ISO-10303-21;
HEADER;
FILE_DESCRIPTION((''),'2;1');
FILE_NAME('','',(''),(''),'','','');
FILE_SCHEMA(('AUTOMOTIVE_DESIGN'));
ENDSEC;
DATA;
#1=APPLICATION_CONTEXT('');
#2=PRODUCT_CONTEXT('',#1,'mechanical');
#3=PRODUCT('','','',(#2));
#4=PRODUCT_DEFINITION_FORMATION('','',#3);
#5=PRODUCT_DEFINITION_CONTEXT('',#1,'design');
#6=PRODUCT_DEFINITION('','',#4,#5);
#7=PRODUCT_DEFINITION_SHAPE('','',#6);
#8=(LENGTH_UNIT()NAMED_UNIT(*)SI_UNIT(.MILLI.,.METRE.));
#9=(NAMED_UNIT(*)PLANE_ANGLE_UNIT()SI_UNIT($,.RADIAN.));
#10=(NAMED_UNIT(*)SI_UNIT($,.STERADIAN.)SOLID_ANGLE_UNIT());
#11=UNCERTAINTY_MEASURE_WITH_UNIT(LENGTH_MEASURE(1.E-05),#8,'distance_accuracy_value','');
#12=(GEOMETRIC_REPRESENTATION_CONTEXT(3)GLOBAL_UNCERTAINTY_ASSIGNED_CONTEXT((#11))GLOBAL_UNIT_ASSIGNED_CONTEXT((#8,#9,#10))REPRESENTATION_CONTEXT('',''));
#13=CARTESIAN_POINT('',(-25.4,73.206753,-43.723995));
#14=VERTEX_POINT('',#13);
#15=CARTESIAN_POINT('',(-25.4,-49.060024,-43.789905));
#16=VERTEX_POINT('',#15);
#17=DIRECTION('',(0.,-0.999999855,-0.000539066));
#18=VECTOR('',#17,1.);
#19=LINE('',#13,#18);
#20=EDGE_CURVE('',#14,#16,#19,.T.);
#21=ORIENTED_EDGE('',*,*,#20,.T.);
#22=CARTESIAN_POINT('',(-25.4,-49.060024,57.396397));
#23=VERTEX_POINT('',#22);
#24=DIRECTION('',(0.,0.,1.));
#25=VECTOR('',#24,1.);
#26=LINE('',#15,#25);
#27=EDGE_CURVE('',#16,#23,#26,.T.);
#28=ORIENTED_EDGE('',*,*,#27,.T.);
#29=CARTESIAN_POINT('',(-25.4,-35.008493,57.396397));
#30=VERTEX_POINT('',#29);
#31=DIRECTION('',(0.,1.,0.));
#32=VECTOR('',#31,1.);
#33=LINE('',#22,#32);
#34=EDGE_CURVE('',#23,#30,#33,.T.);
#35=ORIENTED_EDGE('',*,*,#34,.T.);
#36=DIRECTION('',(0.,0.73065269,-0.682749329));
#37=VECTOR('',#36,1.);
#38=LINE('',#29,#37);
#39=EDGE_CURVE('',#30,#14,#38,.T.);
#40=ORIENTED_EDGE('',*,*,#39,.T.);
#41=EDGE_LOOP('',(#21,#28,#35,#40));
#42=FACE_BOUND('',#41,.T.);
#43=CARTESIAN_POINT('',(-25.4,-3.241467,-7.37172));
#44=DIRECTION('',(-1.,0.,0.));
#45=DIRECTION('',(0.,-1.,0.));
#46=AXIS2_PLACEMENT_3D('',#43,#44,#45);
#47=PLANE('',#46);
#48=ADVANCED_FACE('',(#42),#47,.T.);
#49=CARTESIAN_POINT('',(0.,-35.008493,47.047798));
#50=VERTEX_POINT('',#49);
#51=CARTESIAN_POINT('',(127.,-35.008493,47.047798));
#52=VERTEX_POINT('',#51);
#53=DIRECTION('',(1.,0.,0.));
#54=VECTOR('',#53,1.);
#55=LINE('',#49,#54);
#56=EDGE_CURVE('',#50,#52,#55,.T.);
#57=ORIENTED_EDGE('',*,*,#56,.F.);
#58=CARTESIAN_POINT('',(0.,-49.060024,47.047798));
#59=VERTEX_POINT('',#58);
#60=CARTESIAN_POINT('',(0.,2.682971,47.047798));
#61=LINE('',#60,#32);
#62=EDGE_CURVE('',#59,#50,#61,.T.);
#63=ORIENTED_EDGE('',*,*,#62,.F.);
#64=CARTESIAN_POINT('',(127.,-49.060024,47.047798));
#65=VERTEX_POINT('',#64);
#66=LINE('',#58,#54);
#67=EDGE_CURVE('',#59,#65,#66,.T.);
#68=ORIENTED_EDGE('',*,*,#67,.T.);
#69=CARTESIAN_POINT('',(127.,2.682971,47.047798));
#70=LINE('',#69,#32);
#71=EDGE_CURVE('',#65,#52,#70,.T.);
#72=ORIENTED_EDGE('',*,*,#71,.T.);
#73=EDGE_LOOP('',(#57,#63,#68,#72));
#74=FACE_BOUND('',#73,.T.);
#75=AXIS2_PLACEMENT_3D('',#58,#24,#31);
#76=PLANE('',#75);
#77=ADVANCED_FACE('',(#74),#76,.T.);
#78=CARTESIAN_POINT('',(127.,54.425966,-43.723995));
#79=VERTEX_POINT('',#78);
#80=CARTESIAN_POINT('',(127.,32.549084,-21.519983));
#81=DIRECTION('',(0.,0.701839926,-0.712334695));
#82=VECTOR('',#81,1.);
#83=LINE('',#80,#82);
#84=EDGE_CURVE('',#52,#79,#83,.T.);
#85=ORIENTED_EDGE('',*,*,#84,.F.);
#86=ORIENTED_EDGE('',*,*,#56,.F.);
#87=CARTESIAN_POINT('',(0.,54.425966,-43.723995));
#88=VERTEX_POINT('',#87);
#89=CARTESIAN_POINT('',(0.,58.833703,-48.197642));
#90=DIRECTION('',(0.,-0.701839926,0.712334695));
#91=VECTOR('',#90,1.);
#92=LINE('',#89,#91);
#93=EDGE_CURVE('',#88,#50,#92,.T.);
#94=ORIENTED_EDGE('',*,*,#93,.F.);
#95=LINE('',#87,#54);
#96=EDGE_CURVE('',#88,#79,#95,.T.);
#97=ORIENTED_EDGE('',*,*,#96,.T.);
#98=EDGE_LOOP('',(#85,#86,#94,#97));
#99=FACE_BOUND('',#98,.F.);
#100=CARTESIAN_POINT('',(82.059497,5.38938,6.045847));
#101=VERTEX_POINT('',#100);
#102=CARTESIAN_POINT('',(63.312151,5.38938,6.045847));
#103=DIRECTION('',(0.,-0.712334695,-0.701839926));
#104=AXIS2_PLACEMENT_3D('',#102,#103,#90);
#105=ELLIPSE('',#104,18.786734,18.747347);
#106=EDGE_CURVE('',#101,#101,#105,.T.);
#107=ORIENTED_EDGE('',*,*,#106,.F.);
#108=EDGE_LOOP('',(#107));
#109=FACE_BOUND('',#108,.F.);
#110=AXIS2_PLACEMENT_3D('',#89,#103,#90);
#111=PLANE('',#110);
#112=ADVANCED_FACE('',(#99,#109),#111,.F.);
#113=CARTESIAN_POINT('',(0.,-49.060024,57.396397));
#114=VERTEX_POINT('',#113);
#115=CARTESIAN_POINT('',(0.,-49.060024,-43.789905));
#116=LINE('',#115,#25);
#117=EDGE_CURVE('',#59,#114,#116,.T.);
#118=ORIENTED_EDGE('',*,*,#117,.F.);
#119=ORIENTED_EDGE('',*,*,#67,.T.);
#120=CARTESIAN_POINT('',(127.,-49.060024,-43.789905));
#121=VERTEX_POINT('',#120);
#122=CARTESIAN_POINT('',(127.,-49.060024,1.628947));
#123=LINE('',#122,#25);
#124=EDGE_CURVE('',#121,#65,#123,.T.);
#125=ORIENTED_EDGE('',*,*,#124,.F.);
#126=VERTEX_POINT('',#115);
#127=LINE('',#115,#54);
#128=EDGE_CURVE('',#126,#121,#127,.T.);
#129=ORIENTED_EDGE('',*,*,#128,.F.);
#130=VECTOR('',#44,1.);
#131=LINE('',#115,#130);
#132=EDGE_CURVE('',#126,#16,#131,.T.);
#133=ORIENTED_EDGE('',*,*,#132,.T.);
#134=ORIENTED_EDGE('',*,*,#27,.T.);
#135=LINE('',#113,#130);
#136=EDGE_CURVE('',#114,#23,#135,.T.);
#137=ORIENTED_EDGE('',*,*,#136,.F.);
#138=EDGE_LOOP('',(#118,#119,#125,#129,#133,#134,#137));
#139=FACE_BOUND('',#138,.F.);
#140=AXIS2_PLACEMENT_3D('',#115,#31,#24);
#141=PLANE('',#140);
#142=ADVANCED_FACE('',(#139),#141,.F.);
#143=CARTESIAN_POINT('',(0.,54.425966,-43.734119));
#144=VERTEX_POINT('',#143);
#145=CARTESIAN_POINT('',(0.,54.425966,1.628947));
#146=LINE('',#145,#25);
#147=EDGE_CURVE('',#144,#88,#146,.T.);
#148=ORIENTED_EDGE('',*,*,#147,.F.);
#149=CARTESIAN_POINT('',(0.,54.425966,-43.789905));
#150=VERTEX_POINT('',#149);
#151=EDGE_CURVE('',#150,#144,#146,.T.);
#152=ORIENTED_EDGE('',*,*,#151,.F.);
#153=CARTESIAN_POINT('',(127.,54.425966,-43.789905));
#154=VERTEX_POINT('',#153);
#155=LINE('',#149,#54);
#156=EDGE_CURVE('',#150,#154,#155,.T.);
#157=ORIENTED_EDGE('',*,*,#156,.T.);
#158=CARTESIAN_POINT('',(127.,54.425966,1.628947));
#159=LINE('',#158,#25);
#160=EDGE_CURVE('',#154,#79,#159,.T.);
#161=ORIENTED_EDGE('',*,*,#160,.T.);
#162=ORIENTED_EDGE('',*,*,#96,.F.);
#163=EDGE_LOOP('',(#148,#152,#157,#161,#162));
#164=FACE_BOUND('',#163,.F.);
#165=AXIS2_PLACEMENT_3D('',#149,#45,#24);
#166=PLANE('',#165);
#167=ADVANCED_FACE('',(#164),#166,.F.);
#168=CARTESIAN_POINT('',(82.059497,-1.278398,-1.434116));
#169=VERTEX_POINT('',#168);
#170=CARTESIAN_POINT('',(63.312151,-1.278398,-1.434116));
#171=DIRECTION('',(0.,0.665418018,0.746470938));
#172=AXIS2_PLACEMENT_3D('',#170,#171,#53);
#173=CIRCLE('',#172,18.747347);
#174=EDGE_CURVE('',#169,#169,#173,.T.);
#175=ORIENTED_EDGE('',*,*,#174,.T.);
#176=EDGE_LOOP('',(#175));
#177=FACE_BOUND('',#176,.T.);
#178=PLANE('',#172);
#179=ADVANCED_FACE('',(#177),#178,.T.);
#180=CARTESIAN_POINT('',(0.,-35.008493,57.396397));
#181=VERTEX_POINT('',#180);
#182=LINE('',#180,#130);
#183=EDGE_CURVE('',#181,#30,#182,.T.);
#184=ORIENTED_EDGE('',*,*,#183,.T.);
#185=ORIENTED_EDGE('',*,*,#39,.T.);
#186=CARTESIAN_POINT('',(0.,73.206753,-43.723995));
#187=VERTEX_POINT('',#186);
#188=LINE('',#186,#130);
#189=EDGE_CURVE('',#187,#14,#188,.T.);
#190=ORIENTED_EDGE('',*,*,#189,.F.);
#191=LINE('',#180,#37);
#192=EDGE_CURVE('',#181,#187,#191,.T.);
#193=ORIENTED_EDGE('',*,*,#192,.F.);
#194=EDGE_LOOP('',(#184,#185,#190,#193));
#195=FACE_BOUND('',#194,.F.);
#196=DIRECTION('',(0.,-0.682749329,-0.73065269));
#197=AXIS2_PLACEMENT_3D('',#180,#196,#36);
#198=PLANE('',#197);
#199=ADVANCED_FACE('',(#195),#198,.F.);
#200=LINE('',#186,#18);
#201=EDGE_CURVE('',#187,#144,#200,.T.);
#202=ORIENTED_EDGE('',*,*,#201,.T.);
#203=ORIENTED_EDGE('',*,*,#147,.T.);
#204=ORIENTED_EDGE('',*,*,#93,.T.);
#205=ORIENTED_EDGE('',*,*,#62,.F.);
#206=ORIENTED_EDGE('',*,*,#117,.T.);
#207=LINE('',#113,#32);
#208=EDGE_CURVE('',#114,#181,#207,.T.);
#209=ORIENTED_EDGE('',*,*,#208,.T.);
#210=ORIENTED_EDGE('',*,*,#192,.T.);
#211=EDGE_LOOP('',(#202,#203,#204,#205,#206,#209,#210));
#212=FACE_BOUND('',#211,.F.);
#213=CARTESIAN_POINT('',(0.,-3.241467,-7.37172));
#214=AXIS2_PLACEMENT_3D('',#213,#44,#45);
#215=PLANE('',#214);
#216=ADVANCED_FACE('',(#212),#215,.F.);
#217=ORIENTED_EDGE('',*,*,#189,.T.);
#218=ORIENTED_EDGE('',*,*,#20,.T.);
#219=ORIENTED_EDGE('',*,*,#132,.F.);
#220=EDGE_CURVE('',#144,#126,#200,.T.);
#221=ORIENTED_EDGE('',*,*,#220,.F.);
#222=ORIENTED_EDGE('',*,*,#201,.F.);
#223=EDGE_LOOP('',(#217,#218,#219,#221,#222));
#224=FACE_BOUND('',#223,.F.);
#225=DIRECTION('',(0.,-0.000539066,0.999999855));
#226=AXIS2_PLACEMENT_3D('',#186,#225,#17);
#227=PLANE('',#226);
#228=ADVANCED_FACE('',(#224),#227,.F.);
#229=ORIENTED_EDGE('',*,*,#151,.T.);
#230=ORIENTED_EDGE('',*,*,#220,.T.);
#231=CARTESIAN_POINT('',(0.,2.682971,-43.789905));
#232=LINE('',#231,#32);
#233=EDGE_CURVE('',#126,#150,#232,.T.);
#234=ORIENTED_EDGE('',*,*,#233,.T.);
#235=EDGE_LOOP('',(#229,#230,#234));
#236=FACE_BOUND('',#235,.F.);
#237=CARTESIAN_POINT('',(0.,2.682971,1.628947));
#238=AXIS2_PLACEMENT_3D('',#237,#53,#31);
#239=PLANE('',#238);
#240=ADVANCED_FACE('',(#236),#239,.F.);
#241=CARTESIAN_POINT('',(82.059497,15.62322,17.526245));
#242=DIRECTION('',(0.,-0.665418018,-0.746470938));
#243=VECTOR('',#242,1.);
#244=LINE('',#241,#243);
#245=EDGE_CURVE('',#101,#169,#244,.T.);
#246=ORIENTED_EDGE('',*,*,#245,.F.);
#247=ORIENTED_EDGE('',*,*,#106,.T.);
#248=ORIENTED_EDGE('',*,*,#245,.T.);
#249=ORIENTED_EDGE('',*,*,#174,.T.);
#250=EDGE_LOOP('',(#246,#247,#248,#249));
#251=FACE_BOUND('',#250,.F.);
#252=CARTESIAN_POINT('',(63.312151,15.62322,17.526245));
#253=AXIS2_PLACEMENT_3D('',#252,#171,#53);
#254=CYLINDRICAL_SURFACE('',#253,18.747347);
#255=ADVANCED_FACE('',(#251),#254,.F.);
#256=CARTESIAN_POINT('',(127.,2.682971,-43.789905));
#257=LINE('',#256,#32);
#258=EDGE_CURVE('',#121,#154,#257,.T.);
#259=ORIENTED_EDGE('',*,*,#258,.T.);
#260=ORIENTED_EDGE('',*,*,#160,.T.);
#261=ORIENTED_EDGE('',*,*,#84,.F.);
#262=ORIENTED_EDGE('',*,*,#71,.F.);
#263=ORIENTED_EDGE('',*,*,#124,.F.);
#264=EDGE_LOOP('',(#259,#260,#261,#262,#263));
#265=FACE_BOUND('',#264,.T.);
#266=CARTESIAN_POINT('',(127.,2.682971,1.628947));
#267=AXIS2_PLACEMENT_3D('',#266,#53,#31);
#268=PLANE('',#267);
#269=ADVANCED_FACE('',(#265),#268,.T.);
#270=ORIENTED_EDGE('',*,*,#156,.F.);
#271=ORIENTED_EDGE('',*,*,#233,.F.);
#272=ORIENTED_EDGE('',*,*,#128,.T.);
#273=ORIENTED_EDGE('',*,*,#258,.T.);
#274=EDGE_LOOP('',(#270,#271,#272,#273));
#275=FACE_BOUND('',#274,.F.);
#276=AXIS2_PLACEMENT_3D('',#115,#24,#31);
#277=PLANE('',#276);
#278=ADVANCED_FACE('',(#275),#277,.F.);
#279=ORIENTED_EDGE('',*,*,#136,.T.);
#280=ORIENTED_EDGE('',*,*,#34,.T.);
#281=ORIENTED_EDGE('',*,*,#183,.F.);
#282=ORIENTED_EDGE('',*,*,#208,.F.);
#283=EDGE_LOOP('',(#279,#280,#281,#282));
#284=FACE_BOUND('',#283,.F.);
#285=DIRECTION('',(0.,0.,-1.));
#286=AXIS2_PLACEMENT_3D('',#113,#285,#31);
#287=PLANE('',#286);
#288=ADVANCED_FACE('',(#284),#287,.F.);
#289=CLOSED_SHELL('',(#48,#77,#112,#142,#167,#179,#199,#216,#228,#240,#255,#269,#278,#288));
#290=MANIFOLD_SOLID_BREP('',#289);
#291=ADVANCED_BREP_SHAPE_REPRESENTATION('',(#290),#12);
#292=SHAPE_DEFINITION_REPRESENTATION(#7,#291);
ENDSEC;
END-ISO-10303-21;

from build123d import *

# Parameters (mm, degrees)
F0_W     = 103.4859903157
F0_H     = 90.8377021551
F1_DEPTH = 127
F3_DEPTH = 127.001
F4_R     = 18.7473468239
F5_DEPTH = 25.4
F7_DEPTH = 127.001
F9_DEPTH = 25.4


with BuildPart() as f1:
    # F0 (on Right) → F1 (new body)
    with BuildSketch(Plane.YZ):
        with Locations((2.6829708368, 1.6289465129)):
            Rectangle(F0_W, F0_H)
    extrude(amount=F1_DEPTH)

    # F2 (on face) → F3 (cut, through all)
    with BuildSketch(Plane.YZ.offset(127)):
        Polygon((62.4748729169, 57.3963969946), (-45.2272109687, 71.7694461346), (64.1996413469, -25.7756765932), align=None)
    extrude(amount=-F3_DEPTH, mode=Mode.SUBTRACT)

    # F4 (on face) → F5 (cut)
    with BuildSketch(Plane(origin=(0, 15.6232196657, 17.5262453236), x_dir=(1, 0, 0), z_dir=(0, 0.6654180184, 0.7464709377))):
        with Locations((63.312150538, 0)):
            Circle(F4_R)
    extrude(amount=-F5_DEPTH, mode=Mode.SUBTRACT)

    # F6 (on face) → F7 (cut, through all)
    with BuildSketch(Plane(origin=(0, 0, 0), x_dir=(0, -1, 0), z_dir=(-1, 0, 0))):
        Polygon((-58.8337033987, -48.1976419687), (43.6940863729, 55.8632686734), (45.8021350205, 72.5360140204), (-54.4259659946, 13.5106705129), align=None)
    extrude(amount=-F7_DEPTH, mode=Mode.SUBTRACT)

    # F8 (on face) → F9 (join)
    with BuildSketch(Plane(origin=(0, 0, 0), x_dir=(0, -1, 0), z_dir=(-1, 0, 0))):
        Polygon((49.0600243211, -43.7899045646), (49.0600243211, 47.0477975905), (49.0600243211, 57.3963969946), (35.0084929031, 57.3963969946), (-73.2067525387, -43.7239946857), align=None)
    extrude(amount=F9_DEPTH)


solid = f1.part
